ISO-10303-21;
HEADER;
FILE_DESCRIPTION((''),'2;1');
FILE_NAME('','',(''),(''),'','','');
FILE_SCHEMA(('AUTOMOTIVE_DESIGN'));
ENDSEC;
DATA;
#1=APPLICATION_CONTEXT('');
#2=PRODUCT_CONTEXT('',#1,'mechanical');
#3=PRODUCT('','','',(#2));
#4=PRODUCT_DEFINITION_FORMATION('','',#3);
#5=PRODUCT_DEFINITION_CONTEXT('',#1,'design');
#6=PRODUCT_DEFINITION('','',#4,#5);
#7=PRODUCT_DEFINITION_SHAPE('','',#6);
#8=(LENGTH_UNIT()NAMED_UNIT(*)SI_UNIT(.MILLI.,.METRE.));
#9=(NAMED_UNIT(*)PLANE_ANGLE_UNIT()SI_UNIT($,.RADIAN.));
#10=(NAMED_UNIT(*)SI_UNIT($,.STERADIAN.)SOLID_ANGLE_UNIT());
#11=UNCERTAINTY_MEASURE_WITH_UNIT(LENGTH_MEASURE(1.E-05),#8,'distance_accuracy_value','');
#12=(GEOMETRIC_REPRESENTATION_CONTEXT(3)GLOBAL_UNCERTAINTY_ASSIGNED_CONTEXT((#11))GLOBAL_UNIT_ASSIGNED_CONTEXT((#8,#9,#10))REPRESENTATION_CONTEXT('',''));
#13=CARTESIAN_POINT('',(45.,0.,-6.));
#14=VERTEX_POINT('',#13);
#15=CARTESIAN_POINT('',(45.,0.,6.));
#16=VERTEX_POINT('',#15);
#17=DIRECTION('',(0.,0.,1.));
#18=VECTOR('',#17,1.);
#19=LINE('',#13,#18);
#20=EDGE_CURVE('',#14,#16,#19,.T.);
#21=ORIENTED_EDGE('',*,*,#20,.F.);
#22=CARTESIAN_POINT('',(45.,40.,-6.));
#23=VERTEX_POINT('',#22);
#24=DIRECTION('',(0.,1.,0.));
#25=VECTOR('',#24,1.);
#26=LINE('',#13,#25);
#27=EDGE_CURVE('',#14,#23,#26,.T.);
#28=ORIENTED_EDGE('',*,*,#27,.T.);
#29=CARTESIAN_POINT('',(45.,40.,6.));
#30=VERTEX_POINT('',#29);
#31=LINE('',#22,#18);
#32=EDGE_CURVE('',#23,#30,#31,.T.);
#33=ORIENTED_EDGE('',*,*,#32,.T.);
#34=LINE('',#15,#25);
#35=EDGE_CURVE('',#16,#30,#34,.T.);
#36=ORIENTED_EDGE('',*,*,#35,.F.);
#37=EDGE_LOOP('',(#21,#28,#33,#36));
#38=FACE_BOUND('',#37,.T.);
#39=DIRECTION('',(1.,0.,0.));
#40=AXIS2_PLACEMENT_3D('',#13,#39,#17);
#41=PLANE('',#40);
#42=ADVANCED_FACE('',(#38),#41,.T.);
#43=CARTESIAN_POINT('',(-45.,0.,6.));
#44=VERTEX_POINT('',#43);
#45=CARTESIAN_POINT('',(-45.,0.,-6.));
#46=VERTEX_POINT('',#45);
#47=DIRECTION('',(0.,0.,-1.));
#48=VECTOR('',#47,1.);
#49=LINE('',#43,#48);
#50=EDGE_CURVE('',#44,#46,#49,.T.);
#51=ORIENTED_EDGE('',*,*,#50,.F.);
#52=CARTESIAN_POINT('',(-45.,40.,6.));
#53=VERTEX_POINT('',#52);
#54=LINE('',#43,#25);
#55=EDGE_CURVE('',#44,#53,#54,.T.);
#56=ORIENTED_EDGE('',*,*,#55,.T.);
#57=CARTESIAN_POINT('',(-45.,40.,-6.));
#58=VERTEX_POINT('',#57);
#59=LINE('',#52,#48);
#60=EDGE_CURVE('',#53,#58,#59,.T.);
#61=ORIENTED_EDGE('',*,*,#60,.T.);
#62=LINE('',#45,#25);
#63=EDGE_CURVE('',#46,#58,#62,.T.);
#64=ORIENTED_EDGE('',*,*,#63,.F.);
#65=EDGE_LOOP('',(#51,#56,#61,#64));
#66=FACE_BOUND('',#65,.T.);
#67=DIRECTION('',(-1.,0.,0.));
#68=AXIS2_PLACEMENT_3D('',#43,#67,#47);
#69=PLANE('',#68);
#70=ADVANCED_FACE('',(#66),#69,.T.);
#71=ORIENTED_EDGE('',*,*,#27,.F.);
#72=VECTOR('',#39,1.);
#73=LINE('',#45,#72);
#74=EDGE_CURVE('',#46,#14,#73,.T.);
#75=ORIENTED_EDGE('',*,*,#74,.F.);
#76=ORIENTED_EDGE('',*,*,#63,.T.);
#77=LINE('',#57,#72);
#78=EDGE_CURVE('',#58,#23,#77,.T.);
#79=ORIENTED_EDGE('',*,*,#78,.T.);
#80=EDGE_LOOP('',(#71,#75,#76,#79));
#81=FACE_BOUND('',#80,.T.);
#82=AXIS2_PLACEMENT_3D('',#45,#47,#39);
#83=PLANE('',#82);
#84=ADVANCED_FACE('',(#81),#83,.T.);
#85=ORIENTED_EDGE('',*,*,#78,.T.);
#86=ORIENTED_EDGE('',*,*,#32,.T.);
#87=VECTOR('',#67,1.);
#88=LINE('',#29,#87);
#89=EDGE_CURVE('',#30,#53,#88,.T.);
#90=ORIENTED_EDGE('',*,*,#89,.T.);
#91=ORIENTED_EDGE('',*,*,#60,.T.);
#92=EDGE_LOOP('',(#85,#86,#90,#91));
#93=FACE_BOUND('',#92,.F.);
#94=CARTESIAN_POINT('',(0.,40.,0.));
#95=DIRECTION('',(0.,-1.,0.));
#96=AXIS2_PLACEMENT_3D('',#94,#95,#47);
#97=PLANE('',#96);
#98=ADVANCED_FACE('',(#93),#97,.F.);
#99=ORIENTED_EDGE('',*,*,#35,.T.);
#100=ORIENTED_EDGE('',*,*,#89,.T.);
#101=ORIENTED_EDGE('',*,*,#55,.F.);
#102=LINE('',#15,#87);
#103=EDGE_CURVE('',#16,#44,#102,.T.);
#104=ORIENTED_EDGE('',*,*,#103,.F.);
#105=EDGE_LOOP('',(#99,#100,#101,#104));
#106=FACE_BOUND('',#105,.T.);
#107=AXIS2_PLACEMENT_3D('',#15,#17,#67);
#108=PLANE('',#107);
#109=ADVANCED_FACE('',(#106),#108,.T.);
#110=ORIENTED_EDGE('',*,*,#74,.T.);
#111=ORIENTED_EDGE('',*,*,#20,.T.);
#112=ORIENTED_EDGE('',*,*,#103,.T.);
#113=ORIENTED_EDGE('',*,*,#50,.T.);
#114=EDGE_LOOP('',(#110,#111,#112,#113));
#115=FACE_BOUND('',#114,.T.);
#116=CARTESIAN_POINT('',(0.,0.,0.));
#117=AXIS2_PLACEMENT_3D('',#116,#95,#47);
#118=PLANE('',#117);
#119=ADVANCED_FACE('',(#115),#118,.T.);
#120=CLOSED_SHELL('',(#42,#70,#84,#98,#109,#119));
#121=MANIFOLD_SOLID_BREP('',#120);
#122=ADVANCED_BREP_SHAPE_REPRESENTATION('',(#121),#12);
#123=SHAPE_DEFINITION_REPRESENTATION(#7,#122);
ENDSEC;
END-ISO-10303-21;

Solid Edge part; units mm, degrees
sketch "Sketch1" plane through (0, 0, 0) normal (0, -1, 0) x (1, 0, 0)
  line L0 (45, 6) -> (-45, 6)
  line L1 (-45, 6) -> (-45, -6)
  line L2 (-45, -6) -> (45, -6)
  line L3 (45, -6) -> (45, 6)
extrude "Protrusion1" add sketch "Sketch1" against normal blind 40
properties material "ReadytoSky_ESC_80A_4_6s"
